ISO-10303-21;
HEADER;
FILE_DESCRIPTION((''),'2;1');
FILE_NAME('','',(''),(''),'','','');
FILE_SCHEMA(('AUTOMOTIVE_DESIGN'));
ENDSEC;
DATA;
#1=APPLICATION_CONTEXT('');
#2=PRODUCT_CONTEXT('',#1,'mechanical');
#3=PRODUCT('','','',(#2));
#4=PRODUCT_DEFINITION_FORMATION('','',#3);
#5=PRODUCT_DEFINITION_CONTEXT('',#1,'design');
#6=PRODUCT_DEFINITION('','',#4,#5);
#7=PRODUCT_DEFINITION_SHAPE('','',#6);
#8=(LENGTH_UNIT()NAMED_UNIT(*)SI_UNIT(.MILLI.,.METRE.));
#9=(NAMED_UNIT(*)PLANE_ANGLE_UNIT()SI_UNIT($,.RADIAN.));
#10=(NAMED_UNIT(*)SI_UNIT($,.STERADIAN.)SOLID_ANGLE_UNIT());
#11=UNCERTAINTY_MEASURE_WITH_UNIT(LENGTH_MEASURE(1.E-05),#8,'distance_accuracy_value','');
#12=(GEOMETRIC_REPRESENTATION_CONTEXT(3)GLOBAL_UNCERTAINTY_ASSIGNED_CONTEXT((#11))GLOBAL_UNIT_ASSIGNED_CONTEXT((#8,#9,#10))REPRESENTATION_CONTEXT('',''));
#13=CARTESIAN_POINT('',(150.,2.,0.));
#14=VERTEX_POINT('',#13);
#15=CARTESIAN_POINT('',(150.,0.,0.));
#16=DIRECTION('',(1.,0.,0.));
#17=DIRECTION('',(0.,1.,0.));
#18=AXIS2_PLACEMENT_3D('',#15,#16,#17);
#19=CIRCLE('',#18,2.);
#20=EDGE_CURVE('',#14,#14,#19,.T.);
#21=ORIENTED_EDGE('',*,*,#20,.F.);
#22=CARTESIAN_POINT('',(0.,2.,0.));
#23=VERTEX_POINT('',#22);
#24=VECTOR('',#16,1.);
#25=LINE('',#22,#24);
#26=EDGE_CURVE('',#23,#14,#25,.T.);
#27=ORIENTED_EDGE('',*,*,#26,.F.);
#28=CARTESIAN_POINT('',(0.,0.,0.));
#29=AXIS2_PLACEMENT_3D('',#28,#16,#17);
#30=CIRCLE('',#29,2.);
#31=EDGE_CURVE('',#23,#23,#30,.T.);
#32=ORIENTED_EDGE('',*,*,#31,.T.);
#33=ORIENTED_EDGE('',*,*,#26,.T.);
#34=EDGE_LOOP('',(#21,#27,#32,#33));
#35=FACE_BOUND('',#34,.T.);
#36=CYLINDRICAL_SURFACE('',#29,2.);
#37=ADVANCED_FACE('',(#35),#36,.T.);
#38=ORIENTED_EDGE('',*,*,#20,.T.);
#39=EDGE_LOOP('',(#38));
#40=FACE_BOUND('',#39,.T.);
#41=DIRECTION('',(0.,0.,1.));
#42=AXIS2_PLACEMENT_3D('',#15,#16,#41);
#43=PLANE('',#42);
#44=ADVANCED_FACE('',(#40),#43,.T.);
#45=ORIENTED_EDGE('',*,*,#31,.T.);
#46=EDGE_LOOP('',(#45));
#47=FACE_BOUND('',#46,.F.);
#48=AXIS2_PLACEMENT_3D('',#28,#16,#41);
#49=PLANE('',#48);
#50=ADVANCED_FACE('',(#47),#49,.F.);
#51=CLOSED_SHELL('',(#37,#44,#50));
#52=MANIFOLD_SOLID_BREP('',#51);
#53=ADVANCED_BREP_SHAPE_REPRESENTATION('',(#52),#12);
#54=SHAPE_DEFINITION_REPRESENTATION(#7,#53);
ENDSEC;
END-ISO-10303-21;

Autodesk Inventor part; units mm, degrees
ref_plane "YZ Plane" through (0, 0, 0) normal (1, 0, 0) x (0, 1, 0)
ref_plane "XZ Plane" through (0, 0, 0) normal (0, 1, 0) x (-1, 0, 0)
sketch "Skizze1" plane through (0, 0, 0) normal (0, 0, 1) x (1, 0, 0)
  line L0 (0, 0) -> (150, 0)
  dimension "d0" = 150
ref_plane "Arbeitsebene1" through (0, 0, 0) normal (1, 0, 0) x (0, 1, 0)
sketch "Skizze2" plane through (0, 0, 0) normal (1, 0, 0) x (0, 1, 0)
  circle A0 centre (0, 0) radius 2
  dimension "d1" = 4
sweep "Sweeping1" add profiles "Skizze2" path "Skizze1"
thread "Gewinde1"
properties part number "P_Gewindestange_M4_150mm"
